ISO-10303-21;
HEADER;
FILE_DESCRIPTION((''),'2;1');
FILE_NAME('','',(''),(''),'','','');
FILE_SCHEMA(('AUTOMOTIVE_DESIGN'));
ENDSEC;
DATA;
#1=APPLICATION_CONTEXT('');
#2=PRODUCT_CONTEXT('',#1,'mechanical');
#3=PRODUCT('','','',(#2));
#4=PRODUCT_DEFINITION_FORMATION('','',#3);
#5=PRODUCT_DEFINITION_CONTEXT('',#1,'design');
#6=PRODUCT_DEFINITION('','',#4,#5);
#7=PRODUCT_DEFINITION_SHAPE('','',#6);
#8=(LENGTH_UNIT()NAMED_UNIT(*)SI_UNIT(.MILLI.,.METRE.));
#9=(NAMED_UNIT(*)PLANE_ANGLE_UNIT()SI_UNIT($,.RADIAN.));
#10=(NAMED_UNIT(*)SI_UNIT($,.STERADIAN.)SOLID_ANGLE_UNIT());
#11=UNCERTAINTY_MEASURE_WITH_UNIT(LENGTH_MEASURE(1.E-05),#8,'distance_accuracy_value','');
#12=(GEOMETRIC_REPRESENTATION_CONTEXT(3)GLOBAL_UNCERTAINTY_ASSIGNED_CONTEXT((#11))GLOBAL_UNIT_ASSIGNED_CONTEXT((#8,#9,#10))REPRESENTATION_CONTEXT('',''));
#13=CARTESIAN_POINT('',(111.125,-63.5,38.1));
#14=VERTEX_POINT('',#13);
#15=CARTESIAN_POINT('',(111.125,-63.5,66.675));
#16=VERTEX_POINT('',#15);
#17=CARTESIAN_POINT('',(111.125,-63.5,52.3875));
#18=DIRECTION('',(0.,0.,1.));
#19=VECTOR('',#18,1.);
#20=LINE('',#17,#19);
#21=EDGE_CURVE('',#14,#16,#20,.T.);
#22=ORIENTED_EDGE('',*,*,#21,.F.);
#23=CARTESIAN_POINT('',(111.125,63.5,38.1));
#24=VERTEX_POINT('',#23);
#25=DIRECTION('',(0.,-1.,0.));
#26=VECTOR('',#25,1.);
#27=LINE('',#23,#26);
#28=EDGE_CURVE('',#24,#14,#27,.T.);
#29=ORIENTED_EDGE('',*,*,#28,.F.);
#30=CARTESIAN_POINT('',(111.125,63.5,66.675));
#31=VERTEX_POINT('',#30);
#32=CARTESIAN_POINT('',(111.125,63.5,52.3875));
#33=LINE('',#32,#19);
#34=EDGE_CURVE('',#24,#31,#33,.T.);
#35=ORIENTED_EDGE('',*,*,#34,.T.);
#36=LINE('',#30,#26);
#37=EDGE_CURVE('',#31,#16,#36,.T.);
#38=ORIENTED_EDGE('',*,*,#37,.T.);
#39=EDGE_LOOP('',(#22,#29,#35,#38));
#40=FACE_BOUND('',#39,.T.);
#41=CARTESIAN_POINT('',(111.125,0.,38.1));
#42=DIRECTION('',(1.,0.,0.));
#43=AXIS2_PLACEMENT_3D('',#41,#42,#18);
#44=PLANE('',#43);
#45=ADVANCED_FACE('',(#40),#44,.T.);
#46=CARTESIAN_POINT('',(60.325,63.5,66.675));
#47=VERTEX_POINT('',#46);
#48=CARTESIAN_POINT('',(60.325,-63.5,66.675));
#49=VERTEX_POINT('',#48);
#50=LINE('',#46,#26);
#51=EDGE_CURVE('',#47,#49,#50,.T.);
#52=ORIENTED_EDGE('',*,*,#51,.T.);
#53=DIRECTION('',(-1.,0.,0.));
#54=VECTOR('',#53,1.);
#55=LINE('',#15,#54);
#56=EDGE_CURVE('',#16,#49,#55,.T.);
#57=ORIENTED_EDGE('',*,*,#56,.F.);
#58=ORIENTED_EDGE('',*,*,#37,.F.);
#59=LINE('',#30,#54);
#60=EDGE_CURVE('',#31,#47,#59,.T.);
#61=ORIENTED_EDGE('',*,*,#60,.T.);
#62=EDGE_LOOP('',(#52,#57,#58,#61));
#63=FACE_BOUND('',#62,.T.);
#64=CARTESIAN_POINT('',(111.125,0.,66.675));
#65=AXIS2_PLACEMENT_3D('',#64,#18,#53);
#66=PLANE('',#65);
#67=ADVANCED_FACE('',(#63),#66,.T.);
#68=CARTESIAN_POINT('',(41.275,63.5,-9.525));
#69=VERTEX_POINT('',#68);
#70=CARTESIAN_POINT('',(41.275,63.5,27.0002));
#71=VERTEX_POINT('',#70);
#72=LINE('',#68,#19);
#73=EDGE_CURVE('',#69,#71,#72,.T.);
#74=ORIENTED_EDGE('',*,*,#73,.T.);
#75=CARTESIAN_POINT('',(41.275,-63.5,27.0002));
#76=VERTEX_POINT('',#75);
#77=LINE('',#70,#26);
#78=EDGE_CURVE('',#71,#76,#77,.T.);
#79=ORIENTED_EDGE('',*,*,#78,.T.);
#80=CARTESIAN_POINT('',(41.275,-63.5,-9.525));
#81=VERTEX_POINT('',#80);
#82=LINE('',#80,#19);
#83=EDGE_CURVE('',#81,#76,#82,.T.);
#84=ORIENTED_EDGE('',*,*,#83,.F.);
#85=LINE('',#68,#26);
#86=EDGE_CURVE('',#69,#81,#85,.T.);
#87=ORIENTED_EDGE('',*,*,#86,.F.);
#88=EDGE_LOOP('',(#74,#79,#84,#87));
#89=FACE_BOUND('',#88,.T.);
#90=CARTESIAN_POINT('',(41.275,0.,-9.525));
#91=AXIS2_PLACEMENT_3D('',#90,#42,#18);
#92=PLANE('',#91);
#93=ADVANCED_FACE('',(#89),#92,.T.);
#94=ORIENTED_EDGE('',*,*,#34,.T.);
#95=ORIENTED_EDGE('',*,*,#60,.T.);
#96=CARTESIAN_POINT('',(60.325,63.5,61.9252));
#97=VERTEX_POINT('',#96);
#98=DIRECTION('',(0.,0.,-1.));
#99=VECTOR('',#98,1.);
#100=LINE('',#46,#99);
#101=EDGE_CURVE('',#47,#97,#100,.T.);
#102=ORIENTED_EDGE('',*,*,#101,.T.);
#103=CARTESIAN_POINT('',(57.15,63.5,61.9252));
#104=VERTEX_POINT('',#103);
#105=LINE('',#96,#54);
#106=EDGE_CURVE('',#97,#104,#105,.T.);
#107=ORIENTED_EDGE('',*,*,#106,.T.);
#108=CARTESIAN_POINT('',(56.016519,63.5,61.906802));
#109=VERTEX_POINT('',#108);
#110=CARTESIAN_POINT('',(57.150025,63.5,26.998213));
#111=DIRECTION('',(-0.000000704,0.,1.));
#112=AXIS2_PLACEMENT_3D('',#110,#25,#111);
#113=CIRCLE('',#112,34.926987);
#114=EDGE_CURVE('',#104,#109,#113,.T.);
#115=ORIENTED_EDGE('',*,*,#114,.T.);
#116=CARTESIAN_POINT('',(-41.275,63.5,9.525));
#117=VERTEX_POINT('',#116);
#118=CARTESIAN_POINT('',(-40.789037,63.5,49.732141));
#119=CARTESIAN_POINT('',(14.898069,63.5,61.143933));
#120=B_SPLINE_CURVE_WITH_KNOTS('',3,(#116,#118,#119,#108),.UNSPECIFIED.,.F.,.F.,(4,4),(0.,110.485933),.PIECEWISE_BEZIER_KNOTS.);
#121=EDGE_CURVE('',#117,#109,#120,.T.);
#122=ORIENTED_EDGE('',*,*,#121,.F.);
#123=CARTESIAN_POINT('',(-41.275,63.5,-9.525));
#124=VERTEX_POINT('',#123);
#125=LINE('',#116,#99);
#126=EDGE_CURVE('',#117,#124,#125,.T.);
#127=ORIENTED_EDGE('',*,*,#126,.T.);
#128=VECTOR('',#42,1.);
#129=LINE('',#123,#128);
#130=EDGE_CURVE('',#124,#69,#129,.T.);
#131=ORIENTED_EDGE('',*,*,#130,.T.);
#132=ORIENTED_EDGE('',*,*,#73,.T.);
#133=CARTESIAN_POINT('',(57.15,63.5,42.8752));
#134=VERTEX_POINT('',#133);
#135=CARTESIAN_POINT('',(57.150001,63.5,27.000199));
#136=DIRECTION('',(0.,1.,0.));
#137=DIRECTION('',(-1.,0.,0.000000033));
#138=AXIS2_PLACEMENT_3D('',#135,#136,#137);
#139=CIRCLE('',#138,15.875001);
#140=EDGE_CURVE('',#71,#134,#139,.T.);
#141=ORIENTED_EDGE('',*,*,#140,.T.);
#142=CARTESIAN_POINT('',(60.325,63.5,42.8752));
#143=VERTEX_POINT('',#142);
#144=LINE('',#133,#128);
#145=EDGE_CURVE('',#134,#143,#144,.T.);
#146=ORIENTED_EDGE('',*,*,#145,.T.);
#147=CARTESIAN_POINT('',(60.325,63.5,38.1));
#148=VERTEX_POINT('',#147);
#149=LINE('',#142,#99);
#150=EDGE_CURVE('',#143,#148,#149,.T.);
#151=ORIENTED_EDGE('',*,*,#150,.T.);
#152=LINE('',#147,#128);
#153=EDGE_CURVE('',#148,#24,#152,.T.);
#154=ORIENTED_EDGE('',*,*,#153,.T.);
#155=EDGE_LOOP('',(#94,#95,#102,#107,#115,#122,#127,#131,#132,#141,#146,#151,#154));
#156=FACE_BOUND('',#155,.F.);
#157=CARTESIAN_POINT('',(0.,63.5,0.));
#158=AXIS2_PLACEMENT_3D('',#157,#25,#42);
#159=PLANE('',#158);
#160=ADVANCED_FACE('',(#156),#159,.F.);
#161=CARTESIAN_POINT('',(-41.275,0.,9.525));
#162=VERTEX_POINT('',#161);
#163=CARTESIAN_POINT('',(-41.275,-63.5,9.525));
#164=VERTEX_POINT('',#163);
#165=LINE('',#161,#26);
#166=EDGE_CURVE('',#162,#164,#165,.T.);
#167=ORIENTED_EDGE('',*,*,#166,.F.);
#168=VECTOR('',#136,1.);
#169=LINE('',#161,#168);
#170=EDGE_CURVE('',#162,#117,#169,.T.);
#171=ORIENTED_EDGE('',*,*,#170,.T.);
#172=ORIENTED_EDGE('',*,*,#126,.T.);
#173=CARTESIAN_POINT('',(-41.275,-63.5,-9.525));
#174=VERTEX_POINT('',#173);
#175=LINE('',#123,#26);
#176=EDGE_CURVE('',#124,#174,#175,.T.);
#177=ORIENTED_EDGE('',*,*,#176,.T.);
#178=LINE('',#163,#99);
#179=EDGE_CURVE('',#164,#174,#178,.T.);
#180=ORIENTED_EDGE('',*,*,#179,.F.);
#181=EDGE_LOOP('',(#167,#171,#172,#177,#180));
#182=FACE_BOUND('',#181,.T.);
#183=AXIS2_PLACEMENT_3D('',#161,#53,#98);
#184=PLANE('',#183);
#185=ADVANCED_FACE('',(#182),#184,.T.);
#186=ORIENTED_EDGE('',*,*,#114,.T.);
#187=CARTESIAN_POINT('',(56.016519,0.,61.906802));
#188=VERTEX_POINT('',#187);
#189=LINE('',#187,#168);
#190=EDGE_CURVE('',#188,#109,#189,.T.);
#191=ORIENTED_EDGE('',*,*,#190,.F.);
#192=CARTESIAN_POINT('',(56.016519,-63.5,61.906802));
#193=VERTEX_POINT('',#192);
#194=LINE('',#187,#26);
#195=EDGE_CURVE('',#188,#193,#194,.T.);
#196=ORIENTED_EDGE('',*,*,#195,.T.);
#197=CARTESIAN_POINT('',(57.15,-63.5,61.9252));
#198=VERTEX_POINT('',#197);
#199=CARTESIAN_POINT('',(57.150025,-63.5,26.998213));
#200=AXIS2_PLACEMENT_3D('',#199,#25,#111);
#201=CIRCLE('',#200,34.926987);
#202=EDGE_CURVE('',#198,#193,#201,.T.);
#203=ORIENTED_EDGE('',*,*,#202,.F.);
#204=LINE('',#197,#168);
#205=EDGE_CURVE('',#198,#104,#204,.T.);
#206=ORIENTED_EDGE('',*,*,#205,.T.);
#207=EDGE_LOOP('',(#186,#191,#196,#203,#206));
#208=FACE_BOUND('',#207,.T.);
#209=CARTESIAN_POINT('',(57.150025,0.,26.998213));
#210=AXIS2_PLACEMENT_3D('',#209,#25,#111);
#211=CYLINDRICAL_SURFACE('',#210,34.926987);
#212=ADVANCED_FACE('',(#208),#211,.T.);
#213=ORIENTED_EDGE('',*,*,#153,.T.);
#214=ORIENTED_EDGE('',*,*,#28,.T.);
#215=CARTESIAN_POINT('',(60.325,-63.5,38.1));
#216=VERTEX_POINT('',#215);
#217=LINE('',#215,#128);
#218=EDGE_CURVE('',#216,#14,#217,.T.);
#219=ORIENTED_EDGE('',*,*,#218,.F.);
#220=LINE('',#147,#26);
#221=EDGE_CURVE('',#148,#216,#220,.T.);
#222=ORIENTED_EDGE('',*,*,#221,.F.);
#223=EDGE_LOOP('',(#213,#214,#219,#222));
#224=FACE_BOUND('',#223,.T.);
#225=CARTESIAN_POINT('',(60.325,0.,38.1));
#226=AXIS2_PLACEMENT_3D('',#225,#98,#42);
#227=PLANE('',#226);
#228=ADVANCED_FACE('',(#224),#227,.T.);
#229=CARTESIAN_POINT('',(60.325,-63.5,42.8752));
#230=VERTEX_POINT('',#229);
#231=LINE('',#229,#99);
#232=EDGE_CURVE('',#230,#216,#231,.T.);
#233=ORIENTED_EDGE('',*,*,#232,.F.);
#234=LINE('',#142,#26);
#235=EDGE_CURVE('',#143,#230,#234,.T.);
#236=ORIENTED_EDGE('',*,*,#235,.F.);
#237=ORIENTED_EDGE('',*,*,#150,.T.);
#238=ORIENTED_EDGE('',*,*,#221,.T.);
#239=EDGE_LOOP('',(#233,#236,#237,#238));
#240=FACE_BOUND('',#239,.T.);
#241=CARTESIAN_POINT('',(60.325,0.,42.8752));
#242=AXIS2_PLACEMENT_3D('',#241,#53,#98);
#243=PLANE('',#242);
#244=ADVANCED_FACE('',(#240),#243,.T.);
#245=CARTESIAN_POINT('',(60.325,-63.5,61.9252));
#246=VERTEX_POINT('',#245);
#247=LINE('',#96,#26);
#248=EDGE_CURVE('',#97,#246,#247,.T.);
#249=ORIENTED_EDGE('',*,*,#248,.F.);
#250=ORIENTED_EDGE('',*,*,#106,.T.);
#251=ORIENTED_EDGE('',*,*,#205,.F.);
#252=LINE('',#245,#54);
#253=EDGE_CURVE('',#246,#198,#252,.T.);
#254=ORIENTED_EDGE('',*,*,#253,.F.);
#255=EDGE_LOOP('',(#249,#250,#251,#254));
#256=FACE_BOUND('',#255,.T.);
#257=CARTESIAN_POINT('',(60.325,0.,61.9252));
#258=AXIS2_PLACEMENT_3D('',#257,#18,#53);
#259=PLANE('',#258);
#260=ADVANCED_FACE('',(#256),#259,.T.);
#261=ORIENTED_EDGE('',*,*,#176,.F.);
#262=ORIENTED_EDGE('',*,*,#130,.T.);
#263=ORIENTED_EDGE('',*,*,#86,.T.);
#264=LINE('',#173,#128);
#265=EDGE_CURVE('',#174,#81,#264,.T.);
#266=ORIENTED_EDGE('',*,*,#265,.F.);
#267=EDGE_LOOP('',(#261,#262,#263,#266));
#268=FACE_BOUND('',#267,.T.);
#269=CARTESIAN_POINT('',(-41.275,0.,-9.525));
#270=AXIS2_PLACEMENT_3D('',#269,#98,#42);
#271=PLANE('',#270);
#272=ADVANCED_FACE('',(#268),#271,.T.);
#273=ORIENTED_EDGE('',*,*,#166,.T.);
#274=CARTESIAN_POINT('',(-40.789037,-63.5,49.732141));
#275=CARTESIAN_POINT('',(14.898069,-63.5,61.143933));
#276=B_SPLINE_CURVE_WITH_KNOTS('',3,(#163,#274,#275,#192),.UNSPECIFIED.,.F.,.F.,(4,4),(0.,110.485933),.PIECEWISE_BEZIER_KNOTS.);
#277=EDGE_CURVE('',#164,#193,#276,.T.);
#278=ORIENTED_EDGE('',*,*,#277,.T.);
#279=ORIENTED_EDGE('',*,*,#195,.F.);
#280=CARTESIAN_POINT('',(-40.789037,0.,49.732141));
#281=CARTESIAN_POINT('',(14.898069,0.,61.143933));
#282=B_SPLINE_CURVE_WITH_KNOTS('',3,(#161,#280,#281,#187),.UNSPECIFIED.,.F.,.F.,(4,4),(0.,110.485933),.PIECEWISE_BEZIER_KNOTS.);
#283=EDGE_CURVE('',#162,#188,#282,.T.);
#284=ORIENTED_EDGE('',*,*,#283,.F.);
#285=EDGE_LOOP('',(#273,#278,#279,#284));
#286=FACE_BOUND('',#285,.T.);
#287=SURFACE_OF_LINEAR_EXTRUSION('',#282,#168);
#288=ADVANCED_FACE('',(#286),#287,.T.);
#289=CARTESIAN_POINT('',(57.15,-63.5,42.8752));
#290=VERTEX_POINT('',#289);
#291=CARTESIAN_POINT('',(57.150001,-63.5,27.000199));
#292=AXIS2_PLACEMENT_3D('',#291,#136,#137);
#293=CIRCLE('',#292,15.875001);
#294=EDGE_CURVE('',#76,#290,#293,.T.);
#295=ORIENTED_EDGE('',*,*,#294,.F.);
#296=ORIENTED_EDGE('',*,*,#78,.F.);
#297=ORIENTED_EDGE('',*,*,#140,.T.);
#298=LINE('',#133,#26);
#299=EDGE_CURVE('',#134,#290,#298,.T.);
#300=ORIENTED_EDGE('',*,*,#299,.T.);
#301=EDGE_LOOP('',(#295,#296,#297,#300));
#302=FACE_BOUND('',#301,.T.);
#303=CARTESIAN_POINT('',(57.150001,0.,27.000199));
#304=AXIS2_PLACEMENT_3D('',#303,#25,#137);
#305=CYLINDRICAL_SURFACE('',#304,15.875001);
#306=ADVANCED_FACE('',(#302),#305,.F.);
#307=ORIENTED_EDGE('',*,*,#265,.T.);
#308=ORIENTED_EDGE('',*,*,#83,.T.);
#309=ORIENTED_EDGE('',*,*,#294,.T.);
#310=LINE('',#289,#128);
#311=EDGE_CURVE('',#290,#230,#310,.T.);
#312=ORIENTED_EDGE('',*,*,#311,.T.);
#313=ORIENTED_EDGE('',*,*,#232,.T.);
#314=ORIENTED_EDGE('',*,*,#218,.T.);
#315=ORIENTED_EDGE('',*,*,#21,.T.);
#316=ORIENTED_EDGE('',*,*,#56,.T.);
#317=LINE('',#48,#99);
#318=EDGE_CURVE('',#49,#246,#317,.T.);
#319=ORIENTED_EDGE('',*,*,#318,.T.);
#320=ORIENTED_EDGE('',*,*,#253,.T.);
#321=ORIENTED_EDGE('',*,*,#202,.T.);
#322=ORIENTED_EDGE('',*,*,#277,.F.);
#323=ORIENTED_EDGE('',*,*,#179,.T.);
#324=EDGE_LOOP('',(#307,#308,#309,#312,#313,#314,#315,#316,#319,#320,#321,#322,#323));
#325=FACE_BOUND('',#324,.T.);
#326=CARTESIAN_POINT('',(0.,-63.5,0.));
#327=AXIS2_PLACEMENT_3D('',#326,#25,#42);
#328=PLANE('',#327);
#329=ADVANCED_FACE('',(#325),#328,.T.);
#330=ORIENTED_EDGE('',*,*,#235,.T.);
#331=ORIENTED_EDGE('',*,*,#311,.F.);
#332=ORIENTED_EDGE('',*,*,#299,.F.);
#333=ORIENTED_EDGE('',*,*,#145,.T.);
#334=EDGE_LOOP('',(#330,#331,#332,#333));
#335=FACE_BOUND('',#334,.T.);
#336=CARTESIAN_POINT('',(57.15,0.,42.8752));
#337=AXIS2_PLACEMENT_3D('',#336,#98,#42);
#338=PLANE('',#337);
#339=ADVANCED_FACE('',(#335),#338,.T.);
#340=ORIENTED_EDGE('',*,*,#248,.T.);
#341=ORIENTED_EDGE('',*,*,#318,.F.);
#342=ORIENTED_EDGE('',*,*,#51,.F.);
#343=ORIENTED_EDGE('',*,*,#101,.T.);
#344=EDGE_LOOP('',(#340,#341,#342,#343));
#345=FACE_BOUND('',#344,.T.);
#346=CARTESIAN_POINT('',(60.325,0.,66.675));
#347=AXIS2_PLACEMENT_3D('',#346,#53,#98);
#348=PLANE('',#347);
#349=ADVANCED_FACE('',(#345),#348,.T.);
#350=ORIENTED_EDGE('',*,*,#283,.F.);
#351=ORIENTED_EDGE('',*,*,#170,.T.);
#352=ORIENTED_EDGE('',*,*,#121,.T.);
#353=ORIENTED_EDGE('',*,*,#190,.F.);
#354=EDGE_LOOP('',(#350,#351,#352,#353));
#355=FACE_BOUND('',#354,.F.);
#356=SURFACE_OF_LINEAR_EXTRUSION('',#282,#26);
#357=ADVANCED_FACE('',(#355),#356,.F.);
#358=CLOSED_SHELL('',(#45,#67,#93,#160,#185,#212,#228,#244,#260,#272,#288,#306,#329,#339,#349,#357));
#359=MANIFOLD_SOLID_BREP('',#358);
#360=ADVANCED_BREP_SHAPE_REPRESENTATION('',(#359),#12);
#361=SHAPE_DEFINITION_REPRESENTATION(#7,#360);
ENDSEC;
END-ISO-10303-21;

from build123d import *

# Parameters (mm, degrees)
F0_W     = 25.4
F0_H     = 28.575
F1_DEPTH = 63.5


with BuildPart() as f1:
    # F0 (on Front) → F1 (new body, symmetric)
    with BuildSketch(Plane.XZ):
        Polygon((-41.275, 9.525), (-41.275, -9.525), (41.275, -9.525), (41.275, 9.525), (22.225, 9.525), align=None)
        with BuildLine():
            add(Edge.make_bspline(
                [(-41.275, 9.525), (-40.789037, 49.732141), (14.898069, 61.143933), (56.016519, 61.906802)],
                knots=[0, 0, 0, 0, 110.485933, 110.485933, 110.485933, 110.485933], degree=3))
            Line((-41.275, 9.525), (22.225, 9.525))
            Line((22.225, 9.525), (22.225, 27.0002))
            ThreePointArc((22.225, 27.0002), (32.056749, 51.291853), (56.016519, 61.906802))
        make_face()
        with BuildLine():
            Line((22.225, 9.525), (41.275, 9.525))
            Line((41.275, 9.525), (41.275, 27.0002))
            ThreePointArc((41.275, 27.0002), (45.92468, 38.22552), (57.15, 42.8752))
            Line((57.15, 42.8752), (60.325, 42.8752))
            Line((60.325, 42.8752), (60.325, 61.9252))
            Line((60.325, 61.9252), (57.15, 61.9252))
            add(Edge.make_bspline(
                [(56.016519, 61.906802), (56.395602, 61.913835), (56.773448, 61.919963), (57.15, 61.9252)],
                knots=[110.485933, 110.485933, 110.485933, 110.485933, 111.504536, 111.504536, 111.504536, 111.504536], degree=3))
            ThreePointArc((56.016519, 61.906802), (32.056749, 51.291853), (22.225, 27.0002))
            Line((22.225, 27.0002), (22.225, 9.525))
        make_face()
        with BuildLine():
            ThreePointArc((57.15, 61.9252), (56.583185, 61.9206), (56.016519, 61.906802))
            add(Edge.make_bspline(
                [(56.016519, 61.906802), (56.395602, 61.913835), (56.773448, 61.919963), (57.15, 61.9252)],
                knots=[110.485933, 110.485933, 110.485933, 110.485933, 111.504536, 111.504536, 111.504536, 111.504536], degree=3))
        make_face()
        Polygon((60.325, 66.675), (60.325, 61.9252), (60.325, 42.8752), (60.325, 38.1), (85.725, 38.1), (85.725, 66.675), align=None)
        with Locations((98.425, 52.3875)):
            Rectangle(F0_W, F0_H)
    extrude(amount=F1_DEPTH, both=True)


solid = f1.part
